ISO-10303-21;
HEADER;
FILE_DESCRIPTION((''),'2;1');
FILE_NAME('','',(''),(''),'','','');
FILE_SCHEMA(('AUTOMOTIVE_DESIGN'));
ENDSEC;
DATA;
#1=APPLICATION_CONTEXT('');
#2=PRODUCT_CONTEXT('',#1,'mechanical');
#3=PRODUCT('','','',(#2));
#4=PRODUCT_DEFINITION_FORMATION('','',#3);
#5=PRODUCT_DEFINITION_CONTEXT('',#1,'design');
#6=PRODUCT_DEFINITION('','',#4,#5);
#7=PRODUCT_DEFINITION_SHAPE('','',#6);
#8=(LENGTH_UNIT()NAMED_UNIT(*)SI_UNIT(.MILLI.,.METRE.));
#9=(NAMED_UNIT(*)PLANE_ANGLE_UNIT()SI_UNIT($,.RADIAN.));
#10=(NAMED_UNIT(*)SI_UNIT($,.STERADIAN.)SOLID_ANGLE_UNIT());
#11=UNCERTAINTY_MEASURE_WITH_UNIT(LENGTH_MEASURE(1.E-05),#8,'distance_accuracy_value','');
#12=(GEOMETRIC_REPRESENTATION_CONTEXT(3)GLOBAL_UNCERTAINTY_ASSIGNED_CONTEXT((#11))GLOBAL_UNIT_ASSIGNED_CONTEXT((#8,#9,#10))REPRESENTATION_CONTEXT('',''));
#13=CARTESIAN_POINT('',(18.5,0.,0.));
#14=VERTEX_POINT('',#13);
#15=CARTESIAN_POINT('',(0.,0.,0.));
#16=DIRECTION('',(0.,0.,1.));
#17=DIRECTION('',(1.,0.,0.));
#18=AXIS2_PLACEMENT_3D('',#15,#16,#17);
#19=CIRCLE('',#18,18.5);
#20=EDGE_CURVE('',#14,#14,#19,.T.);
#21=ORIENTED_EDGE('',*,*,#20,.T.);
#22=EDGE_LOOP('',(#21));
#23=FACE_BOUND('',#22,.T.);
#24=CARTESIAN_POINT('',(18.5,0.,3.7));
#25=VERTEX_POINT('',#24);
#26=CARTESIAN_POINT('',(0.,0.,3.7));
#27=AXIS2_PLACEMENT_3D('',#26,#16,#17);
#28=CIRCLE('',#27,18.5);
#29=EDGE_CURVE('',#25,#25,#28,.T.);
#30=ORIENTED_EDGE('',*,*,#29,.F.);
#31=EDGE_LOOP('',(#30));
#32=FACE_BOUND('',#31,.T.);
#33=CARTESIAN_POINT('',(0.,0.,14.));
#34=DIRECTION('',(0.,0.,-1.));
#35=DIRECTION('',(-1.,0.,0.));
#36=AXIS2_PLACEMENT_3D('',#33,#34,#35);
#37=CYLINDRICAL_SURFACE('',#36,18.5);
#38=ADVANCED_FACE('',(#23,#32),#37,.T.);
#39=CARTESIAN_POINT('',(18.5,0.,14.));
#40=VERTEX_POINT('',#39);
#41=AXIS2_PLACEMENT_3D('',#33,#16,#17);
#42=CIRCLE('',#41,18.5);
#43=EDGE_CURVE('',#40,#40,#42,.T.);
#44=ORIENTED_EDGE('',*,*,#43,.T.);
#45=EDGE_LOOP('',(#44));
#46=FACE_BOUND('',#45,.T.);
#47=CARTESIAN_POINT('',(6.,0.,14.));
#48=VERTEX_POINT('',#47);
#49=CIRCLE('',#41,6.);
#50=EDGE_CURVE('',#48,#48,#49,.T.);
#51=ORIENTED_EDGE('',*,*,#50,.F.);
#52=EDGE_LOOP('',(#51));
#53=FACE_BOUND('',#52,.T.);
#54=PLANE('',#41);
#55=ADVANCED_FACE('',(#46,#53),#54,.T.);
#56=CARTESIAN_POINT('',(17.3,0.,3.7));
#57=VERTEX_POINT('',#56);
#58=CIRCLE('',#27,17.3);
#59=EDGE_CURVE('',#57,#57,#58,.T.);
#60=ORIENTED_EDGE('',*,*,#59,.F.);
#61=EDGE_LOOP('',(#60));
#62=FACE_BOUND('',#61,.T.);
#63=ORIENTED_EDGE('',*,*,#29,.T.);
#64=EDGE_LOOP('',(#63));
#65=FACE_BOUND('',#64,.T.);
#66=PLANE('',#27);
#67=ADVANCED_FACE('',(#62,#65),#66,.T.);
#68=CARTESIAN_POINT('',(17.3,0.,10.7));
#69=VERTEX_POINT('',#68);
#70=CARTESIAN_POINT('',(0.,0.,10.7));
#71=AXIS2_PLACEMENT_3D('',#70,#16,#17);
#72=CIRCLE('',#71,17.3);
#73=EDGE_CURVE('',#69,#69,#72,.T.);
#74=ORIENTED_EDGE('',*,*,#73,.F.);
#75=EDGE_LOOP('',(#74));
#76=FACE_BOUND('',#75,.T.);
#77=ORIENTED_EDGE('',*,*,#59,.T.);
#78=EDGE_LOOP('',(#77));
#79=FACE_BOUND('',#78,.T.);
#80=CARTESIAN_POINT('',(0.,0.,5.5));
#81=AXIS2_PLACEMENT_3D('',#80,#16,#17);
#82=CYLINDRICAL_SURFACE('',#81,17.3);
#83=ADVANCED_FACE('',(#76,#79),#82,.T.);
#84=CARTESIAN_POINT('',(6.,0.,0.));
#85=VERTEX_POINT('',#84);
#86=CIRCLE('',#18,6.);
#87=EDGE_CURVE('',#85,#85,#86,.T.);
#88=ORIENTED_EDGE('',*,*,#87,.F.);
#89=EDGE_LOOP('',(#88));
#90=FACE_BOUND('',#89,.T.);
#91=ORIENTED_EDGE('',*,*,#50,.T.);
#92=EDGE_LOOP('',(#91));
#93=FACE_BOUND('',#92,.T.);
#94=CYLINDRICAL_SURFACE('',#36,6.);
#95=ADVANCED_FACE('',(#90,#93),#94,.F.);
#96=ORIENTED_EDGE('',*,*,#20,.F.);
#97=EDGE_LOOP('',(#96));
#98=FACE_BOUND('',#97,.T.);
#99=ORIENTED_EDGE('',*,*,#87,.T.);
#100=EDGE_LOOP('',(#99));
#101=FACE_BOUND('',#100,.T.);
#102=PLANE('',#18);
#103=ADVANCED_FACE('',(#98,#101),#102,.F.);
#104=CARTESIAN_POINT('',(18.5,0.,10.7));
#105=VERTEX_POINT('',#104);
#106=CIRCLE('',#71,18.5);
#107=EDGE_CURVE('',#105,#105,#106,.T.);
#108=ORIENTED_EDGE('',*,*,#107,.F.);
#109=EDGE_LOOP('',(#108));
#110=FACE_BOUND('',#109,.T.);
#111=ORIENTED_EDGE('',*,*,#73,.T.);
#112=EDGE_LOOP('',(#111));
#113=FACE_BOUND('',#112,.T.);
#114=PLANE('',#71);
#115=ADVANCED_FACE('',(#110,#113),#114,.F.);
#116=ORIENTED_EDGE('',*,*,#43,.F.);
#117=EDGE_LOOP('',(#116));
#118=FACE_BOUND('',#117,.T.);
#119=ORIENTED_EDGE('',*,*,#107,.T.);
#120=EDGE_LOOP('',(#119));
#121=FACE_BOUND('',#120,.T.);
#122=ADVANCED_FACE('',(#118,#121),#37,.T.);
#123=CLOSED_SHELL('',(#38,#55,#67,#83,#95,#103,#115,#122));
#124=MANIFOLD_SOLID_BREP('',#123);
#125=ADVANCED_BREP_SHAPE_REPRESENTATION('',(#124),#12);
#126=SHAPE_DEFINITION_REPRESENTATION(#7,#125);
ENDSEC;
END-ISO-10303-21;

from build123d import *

# Parameters (mm, degrees)
SKETCH_1_R          = 18.5
SKETCH_1_R_2        = 6
EXTRUDE_1_DEPTH     = 14
CUT_EXTRUDE_START   = -2.2
SKETCH_2_R          = 18.5
SKETCH_2_R_2        = 17.3
CUT_EXTRUDE_1_DEPTH = 2.2
SKETCH_2_2_R        = 18.5
SKETCH_2_2_R_2      = 17.3
CUT_EXTRUDE_2_DEPTH = 0.8
CUT_EXTRUDE_START_2 = -4
SKETCH_2_4_R        = 18.5
SKETCH_2_4_R_2      = 17.3
CUT_EXTRUDE_3_DEPTH = 4
SKETCH_2_6_R        = 18.5
SKETCH_2_6_R_2      = 17.3
CUT_EXTRUDE_5_DEPTH = 3


with BuildPart() as part:
    # 草图1 → 凸台-拉伸1 (new body)
    with BuildSketch(Plane.XY):
        Circle(SKETCH_1_R)
        Circle(SKETCH_1_R_2, mode=Mode.SUBTRACT)
    extrude(amount=EXTRUDE_1_DEPTH)

    # 草图2 → 切除-拉伸1 (cut)
    with BuildSketch(Plane.XY.offset(7.7).offset(CUT_EXTRUDE_START)):
        Circle(SKETCH_2_R)
        Circle(SKETCH_2_R_2, mode=Mode.SUBTRACT)
    extrude(amount=CUT_EXTRUDE_1_DEPTH, mode=Mode.SUBTRACT)

    # 草图2<2> → 切除-拉伸2 (cut)
    with BuildSketch(Plane.XY.offset(7.7)):
        Circle(SKETCH_2_2_R)
        Circle(SKETCH_2_2_R_2, mode=Mode.SUBTRACT)
    extrude(amount=CUT_EXTRUDE_2_DEPTH, mode=Mode.SUBTRACT)

    # 草图2<4> → 切除-拉伸3 (cut)
    with BuildSketch(Plane.XY.offset(7.7).offset(CUT_EXTRUDE_START_2)):
        Circle(SKETCH_2_4_R)
        Circle(SKETCH_2_4_R_2, mode=Mode.SUBTRACT)
    extrude(amount=CUT_EXTRUDE_3_DEPTH, mode=Mode.SUBTRACT)

    # 草图2<6> → 切除-拉伸5 (cut)
    with BuildSketch(Plane.XY.offset(7.7)):
        Circle(SKETCH_2_6_R)
        Circle(SKETCH_2_6_R_2, mode=Mode.SUBTRACT)
    extrude(amount=CUT_EXTRUDE_5_DEPTH, mode=Mode.SUBTRACT)


solid = part.part
